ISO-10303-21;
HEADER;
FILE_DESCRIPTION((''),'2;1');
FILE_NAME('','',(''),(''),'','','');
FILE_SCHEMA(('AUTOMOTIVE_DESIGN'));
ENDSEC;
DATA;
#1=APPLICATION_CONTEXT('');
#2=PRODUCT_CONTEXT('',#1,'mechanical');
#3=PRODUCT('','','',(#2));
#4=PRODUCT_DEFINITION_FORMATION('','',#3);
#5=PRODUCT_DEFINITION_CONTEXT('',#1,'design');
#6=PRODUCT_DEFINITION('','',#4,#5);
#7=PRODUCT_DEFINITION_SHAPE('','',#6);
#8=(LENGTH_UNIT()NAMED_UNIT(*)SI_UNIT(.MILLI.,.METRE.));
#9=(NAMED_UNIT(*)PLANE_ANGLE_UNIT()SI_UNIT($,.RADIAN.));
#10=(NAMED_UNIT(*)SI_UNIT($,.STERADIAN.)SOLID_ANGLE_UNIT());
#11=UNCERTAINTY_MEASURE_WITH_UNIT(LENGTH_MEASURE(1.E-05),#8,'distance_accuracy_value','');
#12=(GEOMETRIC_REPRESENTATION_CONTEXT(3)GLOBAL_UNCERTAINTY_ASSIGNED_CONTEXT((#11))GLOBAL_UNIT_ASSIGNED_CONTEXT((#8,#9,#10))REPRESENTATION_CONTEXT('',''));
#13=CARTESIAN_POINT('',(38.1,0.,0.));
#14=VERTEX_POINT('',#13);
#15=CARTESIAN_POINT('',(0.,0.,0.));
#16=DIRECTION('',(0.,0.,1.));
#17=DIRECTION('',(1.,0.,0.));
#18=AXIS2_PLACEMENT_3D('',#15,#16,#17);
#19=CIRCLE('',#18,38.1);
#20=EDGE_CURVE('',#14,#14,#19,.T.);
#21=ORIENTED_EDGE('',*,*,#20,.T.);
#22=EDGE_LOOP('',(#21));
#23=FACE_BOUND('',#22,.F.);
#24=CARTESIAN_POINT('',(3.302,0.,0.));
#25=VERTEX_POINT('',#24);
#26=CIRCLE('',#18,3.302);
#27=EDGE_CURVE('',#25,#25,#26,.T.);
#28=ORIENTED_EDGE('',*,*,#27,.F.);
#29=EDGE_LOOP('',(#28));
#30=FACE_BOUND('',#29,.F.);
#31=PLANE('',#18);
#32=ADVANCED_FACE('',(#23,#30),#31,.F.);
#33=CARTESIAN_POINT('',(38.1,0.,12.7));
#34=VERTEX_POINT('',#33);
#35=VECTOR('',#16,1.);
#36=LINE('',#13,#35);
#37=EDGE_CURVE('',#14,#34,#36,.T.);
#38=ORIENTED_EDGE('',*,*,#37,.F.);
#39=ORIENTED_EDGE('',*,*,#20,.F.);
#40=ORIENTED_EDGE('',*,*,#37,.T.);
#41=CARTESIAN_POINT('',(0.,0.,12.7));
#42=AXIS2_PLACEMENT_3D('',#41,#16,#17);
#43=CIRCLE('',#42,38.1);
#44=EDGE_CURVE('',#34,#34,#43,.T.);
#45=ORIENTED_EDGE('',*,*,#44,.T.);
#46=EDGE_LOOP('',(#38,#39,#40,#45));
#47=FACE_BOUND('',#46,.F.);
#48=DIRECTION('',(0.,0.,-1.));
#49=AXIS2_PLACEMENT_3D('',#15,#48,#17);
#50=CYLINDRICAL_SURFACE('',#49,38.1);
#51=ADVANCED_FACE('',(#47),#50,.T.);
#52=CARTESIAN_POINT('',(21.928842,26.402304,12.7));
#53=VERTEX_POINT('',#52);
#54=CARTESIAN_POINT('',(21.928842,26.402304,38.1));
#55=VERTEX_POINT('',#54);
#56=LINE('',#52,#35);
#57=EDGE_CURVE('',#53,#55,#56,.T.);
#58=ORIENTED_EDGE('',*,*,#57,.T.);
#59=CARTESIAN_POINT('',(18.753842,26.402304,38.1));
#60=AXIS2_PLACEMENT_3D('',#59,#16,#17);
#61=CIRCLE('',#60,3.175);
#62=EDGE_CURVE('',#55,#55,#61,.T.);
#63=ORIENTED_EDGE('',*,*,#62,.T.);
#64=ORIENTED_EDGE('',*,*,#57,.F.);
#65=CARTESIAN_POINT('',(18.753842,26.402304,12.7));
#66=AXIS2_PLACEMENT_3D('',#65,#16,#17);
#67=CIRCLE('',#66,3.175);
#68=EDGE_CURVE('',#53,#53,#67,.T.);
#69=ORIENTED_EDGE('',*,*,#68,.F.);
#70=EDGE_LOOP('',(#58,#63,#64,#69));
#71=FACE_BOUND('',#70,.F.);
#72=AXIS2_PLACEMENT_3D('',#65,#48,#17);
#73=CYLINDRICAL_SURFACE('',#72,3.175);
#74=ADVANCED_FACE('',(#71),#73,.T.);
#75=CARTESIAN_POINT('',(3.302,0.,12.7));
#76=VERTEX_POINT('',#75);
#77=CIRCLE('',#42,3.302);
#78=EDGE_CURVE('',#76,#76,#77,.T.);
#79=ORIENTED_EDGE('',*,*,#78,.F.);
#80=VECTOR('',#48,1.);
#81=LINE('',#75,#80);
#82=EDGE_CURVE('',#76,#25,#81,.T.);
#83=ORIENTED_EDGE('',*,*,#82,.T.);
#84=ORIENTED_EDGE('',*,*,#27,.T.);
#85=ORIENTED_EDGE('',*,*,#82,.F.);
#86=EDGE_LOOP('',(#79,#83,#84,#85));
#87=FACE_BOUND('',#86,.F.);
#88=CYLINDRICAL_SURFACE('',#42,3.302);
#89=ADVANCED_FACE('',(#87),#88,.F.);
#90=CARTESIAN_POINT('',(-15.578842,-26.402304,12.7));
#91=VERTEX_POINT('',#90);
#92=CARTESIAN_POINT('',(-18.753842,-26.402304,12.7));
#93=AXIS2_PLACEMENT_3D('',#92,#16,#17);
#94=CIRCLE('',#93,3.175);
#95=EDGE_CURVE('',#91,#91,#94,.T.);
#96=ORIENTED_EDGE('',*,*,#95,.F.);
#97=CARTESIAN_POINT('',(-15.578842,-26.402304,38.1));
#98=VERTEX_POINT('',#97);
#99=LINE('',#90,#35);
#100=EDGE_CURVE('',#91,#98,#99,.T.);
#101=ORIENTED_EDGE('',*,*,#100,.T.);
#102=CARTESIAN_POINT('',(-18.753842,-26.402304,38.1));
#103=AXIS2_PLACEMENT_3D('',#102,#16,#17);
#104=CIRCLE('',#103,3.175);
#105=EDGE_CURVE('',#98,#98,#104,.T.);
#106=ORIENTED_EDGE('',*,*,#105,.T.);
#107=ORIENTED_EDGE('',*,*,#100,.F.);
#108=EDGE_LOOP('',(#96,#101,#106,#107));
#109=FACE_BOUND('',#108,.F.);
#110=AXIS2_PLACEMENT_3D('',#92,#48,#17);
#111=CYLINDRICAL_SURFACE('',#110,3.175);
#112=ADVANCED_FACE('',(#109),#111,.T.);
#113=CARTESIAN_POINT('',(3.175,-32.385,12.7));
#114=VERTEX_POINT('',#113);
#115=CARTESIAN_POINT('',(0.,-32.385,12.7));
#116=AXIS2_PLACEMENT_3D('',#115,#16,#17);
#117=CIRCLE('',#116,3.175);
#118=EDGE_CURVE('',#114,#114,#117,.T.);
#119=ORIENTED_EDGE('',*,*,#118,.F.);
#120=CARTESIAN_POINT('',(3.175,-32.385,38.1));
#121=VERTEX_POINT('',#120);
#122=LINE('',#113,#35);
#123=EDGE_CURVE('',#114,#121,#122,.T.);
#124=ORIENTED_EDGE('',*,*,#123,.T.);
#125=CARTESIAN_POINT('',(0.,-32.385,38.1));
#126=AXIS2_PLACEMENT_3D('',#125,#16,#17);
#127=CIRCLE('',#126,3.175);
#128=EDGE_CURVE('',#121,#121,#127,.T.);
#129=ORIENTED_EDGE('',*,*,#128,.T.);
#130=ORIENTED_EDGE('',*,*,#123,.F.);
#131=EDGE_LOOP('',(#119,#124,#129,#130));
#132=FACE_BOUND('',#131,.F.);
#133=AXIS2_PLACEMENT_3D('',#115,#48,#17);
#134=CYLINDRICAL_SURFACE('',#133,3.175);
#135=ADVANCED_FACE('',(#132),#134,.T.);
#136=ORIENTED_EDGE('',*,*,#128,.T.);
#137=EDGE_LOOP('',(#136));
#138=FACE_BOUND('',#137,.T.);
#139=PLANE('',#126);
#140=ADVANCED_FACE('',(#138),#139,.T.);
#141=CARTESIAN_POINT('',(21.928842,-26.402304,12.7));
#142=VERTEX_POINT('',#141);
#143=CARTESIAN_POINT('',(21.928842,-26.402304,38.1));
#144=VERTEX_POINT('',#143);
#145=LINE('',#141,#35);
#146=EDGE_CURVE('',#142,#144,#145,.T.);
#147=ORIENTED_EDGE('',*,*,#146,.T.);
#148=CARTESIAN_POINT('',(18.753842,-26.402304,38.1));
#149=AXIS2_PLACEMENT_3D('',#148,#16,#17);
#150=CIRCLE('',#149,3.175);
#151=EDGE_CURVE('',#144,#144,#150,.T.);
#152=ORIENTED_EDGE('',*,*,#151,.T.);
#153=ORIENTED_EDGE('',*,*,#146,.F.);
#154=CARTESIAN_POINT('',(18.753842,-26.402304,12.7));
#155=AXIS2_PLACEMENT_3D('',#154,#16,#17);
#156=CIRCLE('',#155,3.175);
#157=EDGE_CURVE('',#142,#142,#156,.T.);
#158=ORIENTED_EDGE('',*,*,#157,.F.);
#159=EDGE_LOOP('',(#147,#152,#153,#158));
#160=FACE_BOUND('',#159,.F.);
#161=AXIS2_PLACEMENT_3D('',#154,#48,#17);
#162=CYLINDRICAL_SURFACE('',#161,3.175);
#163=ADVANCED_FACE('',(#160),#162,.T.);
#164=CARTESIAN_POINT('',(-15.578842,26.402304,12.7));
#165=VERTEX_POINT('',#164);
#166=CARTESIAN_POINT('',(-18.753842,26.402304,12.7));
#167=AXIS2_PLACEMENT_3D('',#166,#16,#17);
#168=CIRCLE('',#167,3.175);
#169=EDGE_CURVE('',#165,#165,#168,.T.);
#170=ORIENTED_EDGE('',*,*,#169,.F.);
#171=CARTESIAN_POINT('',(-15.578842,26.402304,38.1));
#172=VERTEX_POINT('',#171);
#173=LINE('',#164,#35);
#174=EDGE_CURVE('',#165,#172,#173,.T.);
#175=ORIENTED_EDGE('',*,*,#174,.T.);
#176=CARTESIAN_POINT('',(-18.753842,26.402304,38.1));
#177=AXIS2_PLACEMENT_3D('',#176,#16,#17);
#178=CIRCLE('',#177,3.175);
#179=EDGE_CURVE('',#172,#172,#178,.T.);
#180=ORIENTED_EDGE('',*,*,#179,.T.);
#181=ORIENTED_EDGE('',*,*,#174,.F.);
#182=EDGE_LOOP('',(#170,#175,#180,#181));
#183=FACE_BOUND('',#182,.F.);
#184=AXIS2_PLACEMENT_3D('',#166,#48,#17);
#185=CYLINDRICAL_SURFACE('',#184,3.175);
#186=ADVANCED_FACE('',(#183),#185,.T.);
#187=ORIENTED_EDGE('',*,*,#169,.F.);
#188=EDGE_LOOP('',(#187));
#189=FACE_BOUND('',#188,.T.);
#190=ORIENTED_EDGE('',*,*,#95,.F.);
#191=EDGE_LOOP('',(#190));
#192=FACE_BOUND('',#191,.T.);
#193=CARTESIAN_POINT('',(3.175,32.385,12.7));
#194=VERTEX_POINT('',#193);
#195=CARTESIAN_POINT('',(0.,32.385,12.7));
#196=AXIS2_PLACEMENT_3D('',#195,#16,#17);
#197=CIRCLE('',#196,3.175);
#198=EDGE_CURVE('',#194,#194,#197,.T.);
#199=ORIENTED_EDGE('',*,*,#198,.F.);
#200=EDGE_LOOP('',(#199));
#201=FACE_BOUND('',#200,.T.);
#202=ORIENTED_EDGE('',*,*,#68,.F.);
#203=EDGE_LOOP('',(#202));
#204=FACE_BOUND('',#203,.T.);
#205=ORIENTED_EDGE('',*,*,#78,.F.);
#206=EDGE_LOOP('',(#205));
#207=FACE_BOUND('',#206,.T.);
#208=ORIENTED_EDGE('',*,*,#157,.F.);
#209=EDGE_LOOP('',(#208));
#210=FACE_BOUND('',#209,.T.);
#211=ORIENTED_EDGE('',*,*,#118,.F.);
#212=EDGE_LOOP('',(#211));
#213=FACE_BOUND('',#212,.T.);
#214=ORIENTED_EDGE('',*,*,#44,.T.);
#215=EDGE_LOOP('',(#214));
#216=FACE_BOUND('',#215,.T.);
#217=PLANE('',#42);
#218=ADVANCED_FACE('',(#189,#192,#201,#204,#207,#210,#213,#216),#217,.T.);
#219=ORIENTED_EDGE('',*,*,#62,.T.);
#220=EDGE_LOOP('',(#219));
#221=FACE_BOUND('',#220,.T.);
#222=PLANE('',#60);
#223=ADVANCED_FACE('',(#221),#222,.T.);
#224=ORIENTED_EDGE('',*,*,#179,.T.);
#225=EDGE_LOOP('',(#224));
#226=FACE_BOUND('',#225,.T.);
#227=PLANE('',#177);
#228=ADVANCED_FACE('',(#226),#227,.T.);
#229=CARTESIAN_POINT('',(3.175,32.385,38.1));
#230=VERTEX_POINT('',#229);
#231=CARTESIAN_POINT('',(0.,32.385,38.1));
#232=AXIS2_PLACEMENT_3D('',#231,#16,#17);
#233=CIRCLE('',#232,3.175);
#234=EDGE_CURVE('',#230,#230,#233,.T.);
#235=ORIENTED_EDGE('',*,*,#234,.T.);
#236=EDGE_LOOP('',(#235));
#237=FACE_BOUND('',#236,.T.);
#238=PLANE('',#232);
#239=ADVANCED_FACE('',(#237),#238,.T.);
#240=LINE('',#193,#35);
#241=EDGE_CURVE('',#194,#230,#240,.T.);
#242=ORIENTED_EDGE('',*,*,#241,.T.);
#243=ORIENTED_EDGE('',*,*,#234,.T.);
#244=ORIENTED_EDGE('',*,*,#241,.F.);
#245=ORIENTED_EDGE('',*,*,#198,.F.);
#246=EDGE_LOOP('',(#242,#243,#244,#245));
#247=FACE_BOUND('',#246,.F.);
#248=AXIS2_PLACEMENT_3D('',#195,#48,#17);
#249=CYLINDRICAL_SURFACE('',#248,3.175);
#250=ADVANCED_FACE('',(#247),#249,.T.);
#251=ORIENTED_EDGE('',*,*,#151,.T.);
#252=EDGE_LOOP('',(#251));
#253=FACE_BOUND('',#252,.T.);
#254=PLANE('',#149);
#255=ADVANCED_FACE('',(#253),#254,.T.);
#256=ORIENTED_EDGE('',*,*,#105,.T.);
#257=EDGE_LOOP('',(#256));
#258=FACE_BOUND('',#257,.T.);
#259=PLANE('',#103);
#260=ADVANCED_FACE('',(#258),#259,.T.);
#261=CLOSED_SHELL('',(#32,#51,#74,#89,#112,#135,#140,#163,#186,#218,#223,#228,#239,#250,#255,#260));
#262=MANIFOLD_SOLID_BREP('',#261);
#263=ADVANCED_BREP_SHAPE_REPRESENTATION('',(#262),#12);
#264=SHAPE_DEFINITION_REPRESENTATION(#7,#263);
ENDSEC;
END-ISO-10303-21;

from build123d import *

# Parameters (mm, degrees)
F0_R     = 38.1
F1_DEPTH = 12.7
F2_R     = 3.175
F3_DEPTH = 25.4
F4_R     = 3.175
F5_DEPTH = 25.4
F6_R     = 3.302
F7_DEPTH = 12.7


with BuildPart() as f1:
    # F0 (on Top) → F1 (new body)
    with BuildSketch(Plane.XY):
        Circle(F0_R)
    extrude(amount=F1_DEPTH)

    # F2 (on face) → F3 (join)
    with BuildSketch(Plane.XY.offset(12.7)):
        with Locations((0, 32.385)):
            Circle(F2_R)
        with Locations((-18.753842, 26.402304)):
            Circle(F2_R)
        with Locations((18.753842, 26.402304)):
            Circle(F2_R)
    extrude(amount=F3_DEPTH)

    # F4 (on face) → F5 (join)
    with BuildSketch(Plane.XY.offset(12.7)):
        with Locations((-18.753842, -26.402304)):
            Circle(F4_R)
        with Locations((0, -32.385)):
            Circle(F4_R)
        with Locations((18.753842, -26.402304)):
            Circle(F4_R)
    extrude(amount=F5_DEPTH)

    # F6 (on face) → F7 (cut)
    with BuildSketch(Plane.XY.offset(12.7)):
        Circle(F6_R)
    extrude(amount=-F7_DEPTH, mode=Mode.SUBTRACT)


solid = f1.part
